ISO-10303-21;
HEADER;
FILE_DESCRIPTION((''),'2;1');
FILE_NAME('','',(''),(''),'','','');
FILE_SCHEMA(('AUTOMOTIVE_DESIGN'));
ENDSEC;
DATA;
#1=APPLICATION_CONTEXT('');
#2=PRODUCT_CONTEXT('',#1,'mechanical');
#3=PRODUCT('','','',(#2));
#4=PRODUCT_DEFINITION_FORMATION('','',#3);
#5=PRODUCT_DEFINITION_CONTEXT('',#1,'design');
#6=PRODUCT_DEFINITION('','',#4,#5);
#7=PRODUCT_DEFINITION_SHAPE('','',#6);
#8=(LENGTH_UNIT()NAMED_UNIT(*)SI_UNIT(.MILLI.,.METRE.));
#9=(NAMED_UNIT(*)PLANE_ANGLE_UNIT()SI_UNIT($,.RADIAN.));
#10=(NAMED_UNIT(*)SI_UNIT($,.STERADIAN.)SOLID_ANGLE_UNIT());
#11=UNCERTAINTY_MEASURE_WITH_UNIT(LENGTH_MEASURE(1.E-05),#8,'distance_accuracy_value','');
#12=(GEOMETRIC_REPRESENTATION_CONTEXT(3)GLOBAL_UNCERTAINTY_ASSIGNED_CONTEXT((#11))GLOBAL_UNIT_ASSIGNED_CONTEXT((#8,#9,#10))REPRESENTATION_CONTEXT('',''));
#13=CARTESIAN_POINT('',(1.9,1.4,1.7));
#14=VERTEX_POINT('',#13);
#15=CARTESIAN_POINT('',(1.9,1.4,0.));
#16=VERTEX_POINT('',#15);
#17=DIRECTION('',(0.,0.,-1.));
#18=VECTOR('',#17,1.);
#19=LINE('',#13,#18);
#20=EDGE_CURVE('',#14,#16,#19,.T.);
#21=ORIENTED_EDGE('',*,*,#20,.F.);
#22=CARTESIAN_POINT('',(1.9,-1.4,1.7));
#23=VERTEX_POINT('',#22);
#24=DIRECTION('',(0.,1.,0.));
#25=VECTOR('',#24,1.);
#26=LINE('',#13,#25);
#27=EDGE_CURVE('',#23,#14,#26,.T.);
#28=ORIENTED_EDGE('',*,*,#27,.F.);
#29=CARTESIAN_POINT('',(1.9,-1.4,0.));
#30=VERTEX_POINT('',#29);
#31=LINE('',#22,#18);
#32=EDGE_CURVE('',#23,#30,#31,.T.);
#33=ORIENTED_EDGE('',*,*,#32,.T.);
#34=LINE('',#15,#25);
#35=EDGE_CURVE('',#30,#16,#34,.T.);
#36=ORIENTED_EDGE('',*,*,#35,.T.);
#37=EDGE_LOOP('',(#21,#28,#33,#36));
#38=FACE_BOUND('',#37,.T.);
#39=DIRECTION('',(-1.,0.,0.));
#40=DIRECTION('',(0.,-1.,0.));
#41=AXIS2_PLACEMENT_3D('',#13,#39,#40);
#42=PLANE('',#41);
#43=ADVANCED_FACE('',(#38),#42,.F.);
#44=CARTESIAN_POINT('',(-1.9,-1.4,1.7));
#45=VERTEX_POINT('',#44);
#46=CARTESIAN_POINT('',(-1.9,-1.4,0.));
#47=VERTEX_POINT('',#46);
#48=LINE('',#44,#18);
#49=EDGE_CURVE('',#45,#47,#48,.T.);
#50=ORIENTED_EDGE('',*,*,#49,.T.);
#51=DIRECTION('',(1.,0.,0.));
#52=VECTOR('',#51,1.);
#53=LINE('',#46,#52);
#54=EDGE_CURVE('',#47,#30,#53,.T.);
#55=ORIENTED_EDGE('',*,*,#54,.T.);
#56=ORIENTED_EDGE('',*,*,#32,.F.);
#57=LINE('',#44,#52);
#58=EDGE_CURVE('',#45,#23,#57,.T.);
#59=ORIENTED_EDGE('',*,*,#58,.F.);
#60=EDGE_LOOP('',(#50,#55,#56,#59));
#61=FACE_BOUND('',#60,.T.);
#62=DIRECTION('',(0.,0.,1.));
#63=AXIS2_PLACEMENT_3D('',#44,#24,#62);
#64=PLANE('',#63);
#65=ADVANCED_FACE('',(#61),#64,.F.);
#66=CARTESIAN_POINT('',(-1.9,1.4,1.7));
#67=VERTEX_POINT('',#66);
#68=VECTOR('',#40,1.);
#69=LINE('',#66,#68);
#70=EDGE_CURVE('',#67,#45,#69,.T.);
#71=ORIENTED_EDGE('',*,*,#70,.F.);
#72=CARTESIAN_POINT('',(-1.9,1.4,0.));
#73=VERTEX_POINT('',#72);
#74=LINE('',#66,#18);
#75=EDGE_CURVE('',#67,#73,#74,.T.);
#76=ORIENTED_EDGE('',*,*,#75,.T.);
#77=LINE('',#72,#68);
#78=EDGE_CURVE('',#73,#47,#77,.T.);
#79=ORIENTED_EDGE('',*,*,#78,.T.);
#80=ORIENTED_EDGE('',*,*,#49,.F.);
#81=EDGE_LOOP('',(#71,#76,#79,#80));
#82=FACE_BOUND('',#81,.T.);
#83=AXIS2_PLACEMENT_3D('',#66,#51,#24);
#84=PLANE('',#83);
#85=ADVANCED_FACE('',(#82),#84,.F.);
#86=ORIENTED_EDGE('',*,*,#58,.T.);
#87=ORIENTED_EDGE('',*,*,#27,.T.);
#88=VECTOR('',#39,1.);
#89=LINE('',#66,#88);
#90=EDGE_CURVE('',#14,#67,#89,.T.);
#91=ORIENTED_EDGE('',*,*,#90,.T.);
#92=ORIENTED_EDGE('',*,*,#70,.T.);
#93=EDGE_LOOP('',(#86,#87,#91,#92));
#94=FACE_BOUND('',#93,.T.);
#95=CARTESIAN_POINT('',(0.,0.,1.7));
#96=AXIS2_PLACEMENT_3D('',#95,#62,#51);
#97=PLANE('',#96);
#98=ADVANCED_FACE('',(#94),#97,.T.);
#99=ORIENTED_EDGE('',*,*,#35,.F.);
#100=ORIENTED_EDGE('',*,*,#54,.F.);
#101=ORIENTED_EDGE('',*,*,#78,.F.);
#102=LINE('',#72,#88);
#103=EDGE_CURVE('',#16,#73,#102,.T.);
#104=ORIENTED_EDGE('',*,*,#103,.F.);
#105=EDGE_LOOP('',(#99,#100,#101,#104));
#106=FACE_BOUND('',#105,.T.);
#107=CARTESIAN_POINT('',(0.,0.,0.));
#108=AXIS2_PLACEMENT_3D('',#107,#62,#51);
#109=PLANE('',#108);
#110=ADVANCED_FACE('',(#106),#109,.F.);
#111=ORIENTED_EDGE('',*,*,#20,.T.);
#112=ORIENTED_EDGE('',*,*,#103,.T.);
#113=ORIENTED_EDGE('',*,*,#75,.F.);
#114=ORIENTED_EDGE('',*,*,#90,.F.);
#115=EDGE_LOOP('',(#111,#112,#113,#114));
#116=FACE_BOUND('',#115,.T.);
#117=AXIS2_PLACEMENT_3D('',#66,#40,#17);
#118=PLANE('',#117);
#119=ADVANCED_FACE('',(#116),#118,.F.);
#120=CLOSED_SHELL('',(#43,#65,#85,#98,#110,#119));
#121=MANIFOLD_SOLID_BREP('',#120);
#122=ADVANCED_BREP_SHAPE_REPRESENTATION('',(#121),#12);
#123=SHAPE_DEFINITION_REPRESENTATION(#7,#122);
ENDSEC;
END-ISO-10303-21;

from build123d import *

# Parameters (mm, degrees)
SKETCH_1_W      = 3.8
SKETCH_1_H      = 2.8
EXTRUDE_1_DEPTH = 1.7


with BuildPart() as part:
    # Эскиз1 → Бобышка-Вытянуть1 (new body)
    with BuildSketch(Plane.XY):
        Rectangle(SKETCH_1_W, SKETCH_1_H)
    extrude(amount=EXTRUDE_1_DEPTH)


solid = part.part
